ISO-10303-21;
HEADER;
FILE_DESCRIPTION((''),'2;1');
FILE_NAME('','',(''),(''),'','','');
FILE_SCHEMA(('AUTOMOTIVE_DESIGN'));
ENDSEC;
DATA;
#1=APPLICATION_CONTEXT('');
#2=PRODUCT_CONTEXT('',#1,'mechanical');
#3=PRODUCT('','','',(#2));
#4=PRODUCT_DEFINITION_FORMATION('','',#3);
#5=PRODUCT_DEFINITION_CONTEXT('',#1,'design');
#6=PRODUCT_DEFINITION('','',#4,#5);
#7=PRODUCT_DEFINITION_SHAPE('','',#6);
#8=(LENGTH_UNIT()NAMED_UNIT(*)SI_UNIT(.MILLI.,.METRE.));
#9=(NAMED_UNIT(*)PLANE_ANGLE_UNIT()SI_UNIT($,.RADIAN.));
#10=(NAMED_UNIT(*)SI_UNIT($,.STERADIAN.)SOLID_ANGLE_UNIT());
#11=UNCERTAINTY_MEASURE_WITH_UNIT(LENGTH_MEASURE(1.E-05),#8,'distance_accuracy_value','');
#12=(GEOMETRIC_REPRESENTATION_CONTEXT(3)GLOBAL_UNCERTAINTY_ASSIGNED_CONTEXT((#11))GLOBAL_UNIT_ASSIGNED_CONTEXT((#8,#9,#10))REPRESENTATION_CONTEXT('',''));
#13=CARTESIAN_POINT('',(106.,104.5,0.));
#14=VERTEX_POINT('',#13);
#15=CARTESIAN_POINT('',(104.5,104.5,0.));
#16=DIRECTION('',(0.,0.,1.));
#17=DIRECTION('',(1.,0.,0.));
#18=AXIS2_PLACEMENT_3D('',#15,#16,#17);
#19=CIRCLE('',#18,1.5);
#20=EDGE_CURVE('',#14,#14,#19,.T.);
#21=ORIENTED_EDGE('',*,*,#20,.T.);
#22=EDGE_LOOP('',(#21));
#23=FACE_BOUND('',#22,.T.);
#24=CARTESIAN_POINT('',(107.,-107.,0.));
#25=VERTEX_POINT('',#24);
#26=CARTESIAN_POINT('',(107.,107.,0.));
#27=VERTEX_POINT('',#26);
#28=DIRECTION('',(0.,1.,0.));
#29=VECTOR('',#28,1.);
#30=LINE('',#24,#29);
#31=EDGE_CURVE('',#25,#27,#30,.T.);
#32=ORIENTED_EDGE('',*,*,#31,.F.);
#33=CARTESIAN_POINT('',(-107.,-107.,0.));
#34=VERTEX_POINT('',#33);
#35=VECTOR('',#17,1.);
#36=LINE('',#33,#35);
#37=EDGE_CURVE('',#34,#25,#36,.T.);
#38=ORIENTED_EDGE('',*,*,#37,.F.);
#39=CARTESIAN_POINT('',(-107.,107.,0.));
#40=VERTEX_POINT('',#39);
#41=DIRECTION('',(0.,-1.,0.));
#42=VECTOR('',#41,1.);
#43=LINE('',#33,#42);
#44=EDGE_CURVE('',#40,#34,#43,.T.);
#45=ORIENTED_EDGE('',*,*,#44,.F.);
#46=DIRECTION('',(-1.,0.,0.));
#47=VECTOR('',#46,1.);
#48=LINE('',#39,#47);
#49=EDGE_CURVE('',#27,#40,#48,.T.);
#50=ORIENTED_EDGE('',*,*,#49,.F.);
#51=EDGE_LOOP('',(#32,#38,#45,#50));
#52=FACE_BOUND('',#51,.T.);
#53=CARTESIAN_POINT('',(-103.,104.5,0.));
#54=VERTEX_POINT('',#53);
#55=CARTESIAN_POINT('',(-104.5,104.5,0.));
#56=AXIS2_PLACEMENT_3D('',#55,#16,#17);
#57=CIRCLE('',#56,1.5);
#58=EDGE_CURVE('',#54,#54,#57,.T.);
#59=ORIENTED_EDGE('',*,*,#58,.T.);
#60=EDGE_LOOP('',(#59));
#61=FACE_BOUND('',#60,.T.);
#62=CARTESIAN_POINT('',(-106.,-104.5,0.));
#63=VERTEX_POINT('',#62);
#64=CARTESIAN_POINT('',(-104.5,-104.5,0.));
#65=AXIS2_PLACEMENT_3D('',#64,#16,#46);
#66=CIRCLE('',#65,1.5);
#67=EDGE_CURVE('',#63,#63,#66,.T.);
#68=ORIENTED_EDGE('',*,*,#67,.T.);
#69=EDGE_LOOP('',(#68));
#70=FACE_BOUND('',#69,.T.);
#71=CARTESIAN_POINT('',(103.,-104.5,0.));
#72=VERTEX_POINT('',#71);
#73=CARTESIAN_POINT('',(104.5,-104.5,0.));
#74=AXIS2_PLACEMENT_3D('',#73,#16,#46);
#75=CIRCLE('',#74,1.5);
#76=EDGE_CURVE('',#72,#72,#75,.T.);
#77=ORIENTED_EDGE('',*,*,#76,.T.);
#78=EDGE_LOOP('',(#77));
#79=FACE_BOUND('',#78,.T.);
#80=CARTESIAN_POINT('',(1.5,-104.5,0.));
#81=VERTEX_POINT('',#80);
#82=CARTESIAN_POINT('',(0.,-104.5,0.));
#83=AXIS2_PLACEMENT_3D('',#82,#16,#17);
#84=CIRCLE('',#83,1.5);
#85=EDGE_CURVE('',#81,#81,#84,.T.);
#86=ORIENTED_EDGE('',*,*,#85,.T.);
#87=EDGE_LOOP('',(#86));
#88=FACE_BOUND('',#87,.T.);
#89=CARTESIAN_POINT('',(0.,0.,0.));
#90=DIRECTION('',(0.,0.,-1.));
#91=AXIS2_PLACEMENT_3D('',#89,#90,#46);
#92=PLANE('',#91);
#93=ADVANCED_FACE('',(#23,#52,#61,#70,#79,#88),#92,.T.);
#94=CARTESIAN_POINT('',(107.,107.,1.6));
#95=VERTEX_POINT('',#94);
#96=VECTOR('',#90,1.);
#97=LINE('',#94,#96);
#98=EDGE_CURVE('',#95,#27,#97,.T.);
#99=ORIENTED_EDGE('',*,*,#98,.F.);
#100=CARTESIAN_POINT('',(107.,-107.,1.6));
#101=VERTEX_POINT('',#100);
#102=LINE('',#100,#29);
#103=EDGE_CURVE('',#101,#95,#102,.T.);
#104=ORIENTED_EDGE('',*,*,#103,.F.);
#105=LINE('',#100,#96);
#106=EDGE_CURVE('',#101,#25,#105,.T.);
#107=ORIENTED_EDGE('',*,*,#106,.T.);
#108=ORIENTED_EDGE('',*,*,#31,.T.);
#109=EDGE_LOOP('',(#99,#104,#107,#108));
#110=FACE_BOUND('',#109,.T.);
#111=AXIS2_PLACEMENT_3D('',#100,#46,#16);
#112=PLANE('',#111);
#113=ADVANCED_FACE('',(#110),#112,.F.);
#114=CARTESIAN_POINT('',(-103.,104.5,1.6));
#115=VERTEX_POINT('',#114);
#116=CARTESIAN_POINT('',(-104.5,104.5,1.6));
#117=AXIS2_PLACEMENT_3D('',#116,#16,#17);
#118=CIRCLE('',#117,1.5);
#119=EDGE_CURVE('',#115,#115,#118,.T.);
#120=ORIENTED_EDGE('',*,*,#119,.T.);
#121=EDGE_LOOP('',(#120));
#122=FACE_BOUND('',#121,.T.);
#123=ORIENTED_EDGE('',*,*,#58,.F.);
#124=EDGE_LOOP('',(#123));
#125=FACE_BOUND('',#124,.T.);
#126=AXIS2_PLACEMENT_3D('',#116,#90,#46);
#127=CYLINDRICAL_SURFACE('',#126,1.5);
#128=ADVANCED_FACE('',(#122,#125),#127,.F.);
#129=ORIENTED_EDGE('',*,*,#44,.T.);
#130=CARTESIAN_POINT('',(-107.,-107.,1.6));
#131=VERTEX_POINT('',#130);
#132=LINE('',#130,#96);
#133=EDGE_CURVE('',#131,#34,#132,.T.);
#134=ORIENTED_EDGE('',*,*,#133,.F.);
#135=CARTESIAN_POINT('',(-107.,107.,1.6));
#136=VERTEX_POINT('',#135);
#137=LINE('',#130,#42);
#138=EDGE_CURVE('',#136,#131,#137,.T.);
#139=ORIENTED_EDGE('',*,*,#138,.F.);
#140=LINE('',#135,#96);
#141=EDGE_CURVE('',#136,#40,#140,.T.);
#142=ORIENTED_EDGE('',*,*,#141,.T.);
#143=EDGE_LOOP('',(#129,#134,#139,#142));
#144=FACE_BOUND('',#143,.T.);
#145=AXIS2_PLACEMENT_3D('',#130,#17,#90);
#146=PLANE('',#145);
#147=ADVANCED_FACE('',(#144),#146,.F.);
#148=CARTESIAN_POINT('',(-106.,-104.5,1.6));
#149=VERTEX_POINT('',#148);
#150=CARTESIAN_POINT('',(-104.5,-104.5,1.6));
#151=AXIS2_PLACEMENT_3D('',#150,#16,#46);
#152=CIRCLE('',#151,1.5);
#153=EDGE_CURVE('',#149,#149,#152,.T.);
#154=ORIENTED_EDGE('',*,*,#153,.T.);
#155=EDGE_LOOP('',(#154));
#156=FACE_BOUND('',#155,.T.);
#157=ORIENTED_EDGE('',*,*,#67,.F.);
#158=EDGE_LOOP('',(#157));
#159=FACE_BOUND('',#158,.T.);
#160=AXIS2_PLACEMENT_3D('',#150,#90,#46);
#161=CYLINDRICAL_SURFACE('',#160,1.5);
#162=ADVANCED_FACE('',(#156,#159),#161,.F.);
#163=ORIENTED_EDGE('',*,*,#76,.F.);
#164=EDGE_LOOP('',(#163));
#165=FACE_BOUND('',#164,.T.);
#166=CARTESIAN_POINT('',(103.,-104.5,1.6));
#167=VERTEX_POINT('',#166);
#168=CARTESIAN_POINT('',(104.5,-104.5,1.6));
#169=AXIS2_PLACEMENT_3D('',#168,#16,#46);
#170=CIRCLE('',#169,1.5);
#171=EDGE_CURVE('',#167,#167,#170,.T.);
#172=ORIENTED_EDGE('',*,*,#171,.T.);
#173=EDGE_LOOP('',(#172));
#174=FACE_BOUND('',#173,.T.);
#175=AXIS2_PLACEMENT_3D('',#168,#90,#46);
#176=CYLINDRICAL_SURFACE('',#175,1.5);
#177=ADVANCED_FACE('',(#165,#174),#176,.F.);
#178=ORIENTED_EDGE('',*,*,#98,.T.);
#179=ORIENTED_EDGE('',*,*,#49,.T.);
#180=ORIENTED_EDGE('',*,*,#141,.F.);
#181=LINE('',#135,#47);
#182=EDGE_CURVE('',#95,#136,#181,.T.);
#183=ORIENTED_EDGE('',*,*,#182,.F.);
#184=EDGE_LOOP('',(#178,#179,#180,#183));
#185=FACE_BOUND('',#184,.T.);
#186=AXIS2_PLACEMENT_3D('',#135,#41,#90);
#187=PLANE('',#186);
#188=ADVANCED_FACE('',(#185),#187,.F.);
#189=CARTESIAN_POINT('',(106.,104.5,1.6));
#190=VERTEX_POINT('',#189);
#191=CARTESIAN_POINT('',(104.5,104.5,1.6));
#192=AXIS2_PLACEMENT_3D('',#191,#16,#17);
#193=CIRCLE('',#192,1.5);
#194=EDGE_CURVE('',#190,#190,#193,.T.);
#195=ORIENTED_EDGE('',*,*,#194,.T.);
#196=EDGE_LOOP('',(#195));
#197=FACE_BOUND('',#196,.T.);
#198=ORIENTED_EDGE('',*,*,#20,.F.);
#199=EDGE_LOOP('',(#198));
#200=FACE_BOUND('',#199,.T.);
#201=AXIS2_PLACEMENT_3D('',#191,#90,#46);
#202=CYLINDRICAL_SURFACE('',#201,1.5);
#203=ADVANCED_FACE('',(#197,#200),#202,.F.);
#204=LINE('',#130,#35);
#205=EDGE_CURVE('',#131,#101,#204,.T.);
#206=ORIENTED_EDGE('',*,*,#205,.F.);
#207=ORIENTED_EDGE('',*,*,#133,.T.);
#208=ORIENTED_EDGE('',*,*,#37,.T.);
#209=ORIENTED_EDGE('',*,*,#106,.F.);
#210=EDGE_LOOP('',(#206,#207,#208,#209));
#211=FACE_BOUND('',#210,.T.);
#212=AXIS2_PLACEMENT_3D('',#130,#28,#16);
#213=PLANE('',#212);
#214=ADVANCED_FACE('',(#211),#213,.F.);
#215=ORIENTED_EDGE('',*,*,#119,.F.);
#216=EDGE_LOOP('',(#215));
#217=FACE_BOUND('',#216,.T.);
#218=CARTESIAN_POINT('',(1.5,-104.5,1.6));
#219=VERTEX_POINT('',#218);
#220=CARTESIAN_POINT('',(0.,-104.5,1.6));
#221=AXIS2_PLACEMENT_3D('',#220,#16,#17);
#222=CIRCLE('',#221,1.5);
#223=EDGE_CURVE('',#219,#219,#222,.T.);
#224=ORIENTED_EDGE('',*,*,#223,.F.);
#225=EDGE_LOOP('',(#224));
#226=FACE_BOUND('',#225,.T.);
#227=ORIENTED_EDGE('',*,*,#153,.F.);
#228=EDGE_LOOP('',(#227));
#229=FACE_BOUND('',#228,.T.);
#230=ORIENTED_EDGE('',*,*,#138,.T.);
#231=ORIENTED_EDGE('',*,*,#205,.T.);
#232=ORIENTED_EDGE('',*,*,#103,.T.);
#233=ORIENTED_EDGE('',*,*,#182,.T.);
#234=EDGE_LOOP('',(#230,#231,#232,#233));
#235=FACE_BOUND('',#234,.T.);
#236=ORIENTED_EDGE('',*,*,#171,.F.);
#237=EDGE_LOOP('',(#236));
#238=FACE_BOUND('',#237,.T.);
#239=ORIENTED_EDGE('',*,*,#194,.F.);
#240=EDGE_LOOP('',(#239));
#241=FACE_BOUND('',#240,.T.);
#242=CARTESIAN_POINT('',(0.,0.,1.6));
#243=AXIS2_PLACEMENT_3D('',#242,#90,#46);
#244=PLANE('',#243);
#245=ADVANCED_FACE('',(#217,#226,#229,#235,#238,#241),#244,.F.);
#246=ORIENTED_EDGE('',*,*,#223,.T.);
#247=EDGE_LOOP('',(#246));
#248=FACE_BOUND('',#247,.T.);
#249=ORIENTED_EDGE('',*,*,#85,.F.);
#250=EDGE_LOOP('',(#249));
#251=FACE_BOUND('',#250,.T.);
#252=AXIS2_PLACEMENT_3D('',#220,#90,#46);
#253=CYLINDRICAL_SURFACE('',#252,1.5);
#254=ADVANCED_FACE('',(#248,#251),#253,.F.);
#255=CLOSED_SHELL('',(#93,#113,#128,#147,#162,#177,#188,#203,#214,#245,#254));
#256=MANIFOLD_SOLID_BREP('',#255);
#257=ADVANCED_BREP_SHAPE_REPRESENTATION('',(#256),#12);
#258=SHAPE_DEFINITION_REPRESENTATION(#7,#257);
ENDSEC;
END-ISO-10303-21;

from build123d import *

# Parameters (mm, degrees)
SKETCH1_W           = 214
SKETCH1_H           = 214
SKETCH1_R           = 1.5
BOSS_EXTRUDE1_DEPTH = 1.6


with BuildPart() as part:
    # Sketch1 → Boss-Extrude1 (new body)
    with BuildSketch(Plane.XY):
        Rectangle(SKETCH1_W, SKETCH1_H)
        with Locations((-104.5, 104.5)):
            Circle(SKETCH1_R, mode=Mode.SUBTRACT)
        with Locations((104.5, 104.5)):
            Circle(SKETCH1_R, mode=Mode.SUBTRACT)
        with Locations((0, -104.5)):
            Circle(SKETCH1_R, mode=Mode.SUBTRACT)
        with Locations((104.5, -104.5)):
            Circle(SKETCH1_R, mode=Mode.SUBTRACT)
        with Locations((-104.5, -104.5)):
            Circle(SKETCH1_R, mode=Mode.SUBTRACT)
    extrude(amount=BOSS_EXTRUDE1_DEPTH)


solid = part.part
